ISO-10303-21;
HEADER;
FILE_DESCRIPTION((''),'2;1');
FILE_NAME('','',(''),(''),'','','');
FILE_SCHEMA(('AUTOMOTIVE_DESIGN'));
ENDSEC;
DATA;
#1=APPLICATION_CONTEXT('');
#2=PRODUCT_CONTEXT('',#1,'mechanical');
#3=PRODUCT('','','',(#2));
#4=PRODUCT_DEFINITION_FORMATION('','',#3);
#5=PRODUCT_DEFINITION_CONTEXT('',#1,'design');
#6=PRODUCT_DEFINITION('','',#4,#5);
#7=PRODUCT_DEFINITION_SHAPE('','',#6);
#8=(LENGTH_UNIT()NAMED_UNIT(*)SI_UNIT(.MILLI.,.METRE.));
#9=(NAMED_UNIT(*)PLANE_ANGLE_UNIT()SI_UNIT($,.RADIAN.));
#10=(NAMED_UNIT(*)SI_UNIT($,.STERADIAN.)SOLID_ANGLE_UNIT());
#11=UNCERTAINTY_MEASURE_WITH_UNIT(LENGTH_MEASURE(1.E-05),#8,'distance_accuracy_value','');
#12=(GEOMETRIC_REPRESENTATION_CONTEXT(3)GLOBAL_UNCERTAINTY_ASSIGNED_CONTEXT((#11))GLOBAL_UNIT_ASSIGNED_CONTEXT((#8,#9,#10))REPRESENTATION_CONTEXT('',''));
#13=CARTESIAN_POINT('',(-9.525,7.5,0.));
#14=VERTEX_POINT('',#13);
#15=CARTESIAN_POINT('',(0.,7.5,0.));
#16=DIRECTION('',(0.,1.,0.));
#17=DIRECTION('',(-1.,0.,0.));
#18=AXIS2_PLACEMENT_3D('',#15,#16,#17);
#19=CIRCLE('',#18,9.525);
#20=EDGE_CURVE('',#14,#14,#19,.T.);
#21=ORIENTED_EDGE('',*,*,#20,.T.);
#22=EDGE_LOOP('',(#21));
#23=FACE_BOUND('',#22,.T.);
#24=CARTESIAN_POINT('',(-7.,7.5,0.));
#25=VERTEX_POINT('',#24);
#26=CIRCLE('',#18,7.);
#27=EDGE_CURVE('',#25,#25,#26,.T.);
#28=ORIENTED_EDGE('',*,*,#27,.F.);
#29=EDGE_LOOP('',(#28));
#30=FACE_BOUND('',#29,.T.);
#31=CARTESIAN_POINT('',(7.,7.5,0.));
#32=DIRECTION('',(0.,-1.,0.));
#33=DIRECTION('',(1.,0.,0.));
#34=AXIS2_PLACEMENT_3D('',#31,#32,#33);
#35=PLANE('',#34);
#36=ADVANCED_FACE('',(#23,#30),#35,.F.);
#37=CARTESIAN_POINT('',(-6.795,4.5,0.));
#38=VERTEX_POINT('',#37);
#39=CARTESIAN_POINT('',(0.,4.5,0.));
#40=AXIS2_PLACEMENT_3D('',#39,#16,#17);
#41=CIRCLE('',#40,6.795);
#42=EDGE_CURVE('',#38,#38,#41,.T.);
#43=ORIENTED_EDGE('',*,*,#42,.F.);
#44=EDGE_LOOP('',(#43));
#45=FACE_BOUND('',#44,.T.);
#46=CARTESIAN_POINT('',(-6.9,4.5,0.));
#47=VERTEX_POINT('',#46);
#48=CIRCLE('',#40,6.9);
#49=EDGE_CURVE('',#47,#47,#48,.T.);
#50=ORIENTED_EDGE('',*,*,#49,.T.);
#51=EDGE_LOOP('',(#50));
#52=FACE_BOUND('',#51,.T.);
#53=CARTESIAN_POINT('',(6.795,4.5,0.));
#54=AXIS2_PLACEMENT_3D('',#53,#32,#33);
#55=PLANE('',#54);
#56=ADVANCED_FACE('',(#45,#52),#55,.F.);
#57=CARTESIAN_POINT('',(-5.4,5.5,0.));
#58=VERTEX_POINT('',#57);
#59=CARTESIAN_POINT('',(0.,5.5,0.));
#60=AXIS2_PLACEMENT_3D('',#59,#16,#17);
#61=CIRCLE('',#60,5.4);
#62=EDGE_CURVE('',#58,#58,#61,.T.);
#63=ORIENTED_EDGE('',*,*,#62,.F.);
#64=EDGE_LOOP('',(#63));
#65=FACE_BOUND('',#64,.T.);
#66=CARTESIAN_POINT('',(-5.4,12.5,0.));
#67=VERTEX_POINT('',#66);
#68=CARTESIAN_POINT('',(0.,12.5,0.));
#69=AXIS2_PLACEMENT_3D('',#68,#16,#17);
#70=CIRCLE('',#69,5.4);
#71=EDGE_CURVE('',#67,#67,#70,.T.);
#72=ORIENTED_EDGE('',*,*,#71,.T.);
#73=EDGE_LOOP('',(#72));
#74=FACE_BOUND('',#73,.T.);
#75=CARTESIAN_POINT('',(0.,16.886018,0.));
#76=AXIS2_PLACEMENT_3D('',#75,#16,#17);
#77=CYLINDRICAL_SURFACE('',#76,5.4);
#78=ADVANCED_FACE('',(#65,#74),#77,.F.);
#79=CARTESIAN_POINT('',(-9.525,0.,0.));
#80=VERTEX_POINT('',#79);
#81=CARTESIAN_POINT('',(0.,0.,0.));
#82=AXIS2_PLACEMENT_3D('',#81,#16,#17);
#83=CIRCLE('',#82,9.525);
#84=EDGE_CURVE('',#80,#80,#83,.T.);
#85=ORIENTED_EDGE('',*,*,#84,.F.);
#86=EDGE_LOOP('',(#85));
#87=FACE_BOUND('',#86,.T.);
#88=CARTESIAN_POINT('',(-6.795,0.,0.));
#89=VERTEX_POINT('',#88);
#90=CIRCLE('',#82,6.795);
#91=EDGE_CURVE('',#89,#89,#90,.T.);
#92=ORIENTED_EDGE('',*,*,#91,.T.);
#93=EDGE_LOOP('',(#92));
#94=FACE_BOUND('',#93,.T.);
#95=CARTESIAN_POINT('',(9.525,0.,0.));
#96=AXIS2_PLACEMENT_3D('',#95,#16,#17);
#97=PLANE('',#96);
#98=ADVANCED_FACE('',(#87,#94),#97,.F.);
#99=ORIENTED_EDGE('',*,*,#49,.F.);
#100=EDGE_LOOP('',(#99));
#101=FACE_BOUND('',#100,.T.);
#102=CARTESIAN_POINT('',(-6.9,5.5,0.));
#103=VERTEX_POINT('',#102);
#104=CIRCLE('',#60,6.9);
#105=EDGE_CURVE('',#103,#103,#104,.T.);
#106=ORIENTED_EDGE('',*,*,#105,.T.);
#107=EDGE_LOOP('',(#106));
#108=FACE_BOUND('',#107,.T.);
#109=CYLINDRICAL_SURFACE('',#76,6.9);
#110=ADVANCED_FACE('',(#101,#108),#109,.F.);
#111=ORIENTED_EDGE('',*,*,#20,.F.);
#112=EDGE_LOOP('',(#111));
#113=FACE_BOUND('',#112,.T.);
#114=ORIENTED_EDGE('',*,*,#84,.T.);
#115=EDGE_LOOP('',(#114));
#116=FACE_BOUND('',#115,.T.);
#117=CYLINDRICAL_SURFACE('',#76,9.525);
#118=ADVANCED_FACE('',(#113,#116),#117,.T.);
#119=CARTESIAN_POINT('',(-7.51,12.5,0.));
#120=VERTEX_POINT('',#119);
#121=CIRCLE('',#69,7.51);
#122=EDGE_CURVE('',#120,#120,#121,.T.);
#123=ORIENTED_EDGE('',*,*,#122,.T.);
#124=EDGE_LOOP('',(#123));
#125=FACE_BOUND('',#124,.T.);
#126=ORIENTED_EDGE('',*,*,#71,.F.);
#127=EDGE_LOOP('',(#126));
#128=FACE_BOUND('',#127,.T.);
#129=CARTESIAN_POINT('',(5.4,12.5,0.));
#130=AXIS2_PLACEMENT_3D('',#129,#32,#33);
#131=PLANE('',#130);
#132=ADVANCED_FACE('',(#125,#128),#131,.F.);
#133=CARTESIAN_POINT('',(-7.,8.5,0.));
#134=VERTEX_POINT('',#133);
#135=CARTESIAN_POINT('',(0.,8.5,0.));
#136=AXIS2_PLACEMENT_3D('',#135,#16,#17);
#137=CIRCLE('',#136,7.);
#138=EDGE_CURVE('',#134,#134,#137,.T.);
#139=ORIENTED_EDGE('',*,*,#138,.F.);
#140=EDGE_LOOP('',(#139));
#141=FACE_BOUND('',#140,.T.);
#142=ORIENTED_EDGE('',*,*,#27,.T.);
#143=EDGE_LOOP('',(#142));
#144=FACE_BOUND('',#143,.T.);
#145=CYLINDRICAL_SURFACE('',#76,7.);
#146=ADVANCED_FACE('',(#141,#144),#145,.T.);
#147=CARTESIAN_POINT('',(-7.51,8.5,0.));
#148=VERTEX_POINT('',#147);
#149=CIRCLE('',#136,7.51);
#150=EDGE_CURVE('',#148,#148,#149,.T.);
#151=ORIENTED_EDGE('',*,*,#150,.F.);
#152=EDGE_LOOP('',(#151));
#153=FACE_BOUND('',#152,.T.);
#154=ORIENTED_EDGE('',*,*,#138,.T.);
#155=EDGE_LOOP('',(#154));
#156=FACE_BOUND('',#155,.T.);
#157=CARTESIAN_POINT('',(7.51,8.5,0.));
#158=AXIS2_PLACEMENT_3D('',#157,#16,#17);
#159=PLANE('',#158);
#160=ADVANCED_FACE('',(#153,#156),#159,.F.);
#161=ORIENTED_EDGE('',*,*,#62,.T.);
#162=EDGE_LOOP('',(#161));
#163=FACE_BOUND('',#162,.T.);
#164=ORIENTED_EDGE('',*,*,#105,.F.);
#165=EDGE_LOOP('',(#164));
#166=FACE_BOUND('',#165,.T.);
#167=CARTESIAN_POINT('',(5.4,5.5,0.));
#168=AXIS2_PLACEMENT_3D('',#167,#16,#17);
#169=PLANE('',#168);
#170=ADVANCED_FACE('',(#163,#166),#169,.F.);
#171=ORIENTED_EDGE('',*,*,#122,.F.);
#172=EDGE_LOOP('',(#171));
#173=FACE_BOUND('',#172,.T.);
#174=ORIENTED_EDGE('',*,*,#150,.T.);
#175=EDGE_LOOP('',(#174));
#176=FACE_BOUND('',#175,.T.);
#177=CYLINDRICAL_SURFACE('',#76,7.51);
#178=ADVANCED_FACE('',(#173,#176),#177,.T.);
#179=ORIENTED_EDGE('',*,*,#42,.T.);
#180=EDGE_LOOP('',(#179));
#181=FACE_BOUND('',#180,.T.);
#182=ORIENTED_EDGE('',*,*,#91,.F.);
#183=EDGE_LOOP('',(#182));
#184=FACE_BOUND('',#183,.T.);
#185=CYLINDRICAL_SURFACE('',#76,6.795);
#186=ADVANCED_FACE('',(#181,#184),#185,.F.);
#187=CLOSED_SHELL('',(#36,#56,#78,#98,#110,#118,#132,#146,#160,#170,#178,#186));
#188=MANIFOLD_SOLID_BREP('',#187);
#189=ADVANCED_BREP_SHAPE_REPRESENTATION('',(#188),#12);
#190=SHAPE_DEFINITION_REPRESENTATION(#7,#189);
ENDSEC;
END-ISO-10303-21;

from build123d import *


with BuildPart() as part:
    # 草图1 → 旋转1 (revolve)
    with BuildSketch(Plane.XY, mode=Mode.PRIVATE) as revolve_1_sk:
        Polygon((6.795, 0), (6.795, 4.5), (6.9, 4.5), (6.9, 5.5), (5.4, 5.5), (5.4, 12.5), (7.51, 12.5), (7.51, 8.5), (7, 8.5), (7, 7.5), (9.525, 7.5), (9.525, 0), align=None)
    revolve(revolve_1_sk.sketch.rotate(Axis((0, 16.886018237, 0), (0, -1, 0)), 180), axis=Axis((0, 16.886018237, 0), (0, -1, 0)))  # turned: the seam where the file's is


solid = part.part
